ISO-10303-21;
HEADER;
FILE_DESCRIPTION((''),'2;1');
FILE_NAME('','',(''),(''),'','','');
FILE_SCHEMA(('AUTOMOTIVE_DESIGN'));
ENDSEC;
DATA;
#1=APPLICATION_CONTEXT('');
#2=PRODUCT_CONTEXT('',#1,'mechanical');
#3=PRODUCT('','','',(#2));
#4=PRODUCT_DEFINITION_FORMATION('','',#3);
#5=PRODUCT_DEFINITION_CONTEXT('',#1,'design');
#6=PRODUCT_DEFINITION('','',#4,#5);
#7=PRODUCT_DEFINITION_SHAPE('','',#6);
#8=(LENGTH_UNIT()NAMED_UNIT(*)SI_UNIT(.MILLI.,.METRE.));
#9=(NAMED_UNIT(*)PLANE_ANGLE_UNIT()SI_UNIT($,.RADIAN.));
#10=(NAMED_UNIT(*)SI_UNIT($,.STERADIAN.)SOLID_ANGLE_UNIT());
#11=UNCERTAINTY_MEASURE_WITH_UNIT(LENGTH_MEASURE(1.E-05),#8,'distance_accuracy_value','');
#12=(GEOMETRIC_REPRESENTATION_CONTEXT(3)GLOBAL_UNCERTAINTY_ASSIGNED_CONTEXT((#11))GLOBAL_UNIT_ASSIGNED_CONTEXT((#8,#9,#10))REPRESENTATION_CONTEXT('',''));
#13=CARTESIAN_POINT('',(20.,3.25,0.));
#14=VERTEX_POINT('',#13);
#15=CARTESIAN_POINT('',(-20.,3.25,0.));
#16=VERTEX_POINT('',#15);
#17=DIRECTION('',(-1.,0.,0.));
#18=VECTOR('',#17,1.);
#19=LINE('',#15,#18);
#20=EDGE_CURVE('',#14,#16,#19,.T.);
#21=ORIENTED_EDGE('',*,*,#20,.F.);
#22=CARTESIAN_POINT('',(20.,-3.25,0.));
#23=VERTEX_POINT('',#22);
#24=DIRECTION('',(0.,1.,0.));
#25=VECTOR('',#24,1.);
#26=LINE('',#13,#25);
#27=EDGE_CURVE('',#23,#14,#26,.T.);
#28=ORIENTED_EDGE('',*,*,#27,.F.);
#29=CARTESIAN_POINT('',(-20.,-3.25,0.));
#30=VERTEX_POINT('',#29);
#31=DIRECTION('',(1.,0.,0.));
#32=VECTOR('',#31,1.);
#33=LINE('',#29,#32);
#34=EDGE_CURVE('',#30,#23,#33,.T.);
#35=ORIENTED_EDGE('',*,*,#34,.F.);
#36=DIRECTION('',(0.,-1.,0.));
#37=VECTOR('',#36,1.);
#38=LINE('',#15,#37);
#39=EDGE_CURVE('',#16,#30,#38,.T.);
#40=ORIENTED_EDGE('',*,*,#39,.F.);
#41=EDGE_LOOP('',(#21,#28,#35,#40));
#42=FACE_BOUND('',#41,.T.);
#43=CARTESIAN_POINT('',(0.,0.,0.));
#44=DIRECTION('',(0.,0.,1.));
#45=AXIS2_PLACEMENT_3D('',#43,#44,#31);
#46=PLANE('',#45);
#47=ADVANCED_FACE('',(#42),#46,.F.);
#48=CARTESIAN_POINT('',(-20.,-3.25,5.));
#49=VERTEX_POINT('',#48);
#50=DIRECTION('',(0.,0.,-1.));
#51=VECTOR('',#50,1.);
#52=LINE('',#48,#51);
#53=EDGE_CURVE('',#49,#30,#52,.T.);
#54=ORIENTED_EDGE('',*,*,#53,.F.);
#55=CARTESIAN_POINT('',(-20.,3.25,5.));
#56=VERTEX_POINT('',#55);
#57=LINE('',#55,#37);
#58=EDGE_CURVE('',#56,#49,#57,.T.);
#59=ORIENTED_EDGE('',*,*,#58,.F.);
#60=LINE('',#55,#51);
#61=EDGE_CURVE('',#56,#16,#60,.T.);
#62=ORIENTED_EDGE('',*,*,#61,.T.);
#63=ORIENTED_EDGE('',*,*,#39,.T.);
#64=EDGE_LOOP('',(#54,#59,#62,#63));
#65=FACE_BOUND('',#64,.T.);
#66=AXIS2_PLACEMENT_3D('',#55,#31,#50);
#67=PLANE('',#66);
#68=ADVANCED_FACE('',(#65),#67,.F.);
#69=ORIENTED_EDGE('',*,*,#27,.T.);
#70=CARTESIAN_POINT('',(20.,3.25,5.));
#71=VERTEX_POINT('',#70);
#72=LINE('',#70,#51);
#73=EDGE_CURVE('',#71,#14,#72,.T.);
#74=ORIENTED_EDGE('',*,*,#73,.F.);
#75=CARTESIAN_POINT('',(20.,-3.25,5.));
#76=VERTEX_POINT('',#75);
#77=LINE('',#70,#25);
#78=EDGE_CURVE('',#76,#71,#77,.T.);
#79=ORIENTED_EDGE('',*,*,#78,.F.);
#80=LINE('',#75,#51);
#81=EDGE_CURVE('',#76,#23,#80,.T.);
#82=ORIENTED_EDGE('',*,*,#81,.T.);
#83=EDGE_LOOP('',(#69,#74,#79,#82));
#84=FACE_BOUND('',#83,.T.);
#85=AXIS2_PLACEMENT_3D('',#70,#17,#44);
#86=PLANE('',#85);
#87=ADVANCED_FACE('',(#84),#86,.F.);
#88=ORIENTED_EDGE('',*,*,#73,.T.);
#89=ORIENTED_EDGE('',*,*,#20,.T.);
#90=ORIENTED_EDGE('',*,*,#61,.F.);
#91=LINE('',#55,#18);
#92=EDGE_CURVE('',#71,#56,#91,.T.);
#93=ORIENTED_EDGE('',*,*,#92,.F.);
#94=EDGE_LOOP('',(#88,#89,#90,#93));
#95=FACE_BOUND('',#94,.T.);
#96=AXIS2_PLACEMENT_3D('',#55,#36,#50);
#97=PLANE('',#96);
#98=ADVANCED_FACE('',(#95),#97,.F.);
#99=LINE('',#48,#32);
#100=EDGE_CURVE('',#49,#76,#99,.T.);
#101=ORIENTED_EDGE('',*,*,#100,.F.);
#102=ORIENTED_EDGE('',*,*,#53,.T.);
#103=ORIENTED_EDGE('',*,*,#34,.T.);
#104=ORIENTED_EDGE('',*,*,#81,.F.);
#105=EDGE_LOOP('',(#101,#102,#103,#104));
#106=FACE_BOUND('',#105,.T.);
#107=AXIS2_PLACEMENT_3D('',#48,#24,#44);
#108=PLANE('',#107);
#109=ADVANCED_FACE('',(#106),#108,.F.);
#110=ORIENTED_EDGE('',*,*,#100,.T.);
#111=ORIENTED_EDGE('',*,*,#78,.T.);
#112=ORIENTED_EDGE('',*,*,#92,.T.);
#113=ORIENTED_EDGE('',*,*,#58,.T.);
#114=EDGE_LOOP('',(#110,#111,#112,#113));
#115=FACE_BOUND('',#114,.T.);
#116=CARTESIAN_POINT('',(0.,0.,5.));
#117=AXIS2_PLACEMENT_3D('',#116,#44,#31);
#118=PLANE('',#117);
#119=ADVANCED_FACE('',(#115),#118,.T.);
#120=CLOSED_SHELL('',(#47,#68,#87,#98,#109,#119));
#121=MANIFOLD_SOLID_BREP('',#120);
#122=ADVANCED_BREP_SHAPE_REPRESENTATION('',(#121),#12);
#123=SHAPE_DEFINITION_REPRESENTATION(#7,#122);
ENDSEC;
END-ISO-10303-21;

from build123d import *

# Parameters (mm, degrees)
SKETCH2_W           = 40
SKETCH2_H           = 6.5
BOSS_EXTRUDE1_DEPTH = 5


with BuildPart() as part:
    # Sketch2 → Boss-Extrude1 (new body)
    with BuildSketch(Plane.XY):
        Rectangle(SKETCH2_W, SKETCH2_H)
    extrude(amount=BOSS_EXTRUDE1_DEPTH)


solid = part.part
